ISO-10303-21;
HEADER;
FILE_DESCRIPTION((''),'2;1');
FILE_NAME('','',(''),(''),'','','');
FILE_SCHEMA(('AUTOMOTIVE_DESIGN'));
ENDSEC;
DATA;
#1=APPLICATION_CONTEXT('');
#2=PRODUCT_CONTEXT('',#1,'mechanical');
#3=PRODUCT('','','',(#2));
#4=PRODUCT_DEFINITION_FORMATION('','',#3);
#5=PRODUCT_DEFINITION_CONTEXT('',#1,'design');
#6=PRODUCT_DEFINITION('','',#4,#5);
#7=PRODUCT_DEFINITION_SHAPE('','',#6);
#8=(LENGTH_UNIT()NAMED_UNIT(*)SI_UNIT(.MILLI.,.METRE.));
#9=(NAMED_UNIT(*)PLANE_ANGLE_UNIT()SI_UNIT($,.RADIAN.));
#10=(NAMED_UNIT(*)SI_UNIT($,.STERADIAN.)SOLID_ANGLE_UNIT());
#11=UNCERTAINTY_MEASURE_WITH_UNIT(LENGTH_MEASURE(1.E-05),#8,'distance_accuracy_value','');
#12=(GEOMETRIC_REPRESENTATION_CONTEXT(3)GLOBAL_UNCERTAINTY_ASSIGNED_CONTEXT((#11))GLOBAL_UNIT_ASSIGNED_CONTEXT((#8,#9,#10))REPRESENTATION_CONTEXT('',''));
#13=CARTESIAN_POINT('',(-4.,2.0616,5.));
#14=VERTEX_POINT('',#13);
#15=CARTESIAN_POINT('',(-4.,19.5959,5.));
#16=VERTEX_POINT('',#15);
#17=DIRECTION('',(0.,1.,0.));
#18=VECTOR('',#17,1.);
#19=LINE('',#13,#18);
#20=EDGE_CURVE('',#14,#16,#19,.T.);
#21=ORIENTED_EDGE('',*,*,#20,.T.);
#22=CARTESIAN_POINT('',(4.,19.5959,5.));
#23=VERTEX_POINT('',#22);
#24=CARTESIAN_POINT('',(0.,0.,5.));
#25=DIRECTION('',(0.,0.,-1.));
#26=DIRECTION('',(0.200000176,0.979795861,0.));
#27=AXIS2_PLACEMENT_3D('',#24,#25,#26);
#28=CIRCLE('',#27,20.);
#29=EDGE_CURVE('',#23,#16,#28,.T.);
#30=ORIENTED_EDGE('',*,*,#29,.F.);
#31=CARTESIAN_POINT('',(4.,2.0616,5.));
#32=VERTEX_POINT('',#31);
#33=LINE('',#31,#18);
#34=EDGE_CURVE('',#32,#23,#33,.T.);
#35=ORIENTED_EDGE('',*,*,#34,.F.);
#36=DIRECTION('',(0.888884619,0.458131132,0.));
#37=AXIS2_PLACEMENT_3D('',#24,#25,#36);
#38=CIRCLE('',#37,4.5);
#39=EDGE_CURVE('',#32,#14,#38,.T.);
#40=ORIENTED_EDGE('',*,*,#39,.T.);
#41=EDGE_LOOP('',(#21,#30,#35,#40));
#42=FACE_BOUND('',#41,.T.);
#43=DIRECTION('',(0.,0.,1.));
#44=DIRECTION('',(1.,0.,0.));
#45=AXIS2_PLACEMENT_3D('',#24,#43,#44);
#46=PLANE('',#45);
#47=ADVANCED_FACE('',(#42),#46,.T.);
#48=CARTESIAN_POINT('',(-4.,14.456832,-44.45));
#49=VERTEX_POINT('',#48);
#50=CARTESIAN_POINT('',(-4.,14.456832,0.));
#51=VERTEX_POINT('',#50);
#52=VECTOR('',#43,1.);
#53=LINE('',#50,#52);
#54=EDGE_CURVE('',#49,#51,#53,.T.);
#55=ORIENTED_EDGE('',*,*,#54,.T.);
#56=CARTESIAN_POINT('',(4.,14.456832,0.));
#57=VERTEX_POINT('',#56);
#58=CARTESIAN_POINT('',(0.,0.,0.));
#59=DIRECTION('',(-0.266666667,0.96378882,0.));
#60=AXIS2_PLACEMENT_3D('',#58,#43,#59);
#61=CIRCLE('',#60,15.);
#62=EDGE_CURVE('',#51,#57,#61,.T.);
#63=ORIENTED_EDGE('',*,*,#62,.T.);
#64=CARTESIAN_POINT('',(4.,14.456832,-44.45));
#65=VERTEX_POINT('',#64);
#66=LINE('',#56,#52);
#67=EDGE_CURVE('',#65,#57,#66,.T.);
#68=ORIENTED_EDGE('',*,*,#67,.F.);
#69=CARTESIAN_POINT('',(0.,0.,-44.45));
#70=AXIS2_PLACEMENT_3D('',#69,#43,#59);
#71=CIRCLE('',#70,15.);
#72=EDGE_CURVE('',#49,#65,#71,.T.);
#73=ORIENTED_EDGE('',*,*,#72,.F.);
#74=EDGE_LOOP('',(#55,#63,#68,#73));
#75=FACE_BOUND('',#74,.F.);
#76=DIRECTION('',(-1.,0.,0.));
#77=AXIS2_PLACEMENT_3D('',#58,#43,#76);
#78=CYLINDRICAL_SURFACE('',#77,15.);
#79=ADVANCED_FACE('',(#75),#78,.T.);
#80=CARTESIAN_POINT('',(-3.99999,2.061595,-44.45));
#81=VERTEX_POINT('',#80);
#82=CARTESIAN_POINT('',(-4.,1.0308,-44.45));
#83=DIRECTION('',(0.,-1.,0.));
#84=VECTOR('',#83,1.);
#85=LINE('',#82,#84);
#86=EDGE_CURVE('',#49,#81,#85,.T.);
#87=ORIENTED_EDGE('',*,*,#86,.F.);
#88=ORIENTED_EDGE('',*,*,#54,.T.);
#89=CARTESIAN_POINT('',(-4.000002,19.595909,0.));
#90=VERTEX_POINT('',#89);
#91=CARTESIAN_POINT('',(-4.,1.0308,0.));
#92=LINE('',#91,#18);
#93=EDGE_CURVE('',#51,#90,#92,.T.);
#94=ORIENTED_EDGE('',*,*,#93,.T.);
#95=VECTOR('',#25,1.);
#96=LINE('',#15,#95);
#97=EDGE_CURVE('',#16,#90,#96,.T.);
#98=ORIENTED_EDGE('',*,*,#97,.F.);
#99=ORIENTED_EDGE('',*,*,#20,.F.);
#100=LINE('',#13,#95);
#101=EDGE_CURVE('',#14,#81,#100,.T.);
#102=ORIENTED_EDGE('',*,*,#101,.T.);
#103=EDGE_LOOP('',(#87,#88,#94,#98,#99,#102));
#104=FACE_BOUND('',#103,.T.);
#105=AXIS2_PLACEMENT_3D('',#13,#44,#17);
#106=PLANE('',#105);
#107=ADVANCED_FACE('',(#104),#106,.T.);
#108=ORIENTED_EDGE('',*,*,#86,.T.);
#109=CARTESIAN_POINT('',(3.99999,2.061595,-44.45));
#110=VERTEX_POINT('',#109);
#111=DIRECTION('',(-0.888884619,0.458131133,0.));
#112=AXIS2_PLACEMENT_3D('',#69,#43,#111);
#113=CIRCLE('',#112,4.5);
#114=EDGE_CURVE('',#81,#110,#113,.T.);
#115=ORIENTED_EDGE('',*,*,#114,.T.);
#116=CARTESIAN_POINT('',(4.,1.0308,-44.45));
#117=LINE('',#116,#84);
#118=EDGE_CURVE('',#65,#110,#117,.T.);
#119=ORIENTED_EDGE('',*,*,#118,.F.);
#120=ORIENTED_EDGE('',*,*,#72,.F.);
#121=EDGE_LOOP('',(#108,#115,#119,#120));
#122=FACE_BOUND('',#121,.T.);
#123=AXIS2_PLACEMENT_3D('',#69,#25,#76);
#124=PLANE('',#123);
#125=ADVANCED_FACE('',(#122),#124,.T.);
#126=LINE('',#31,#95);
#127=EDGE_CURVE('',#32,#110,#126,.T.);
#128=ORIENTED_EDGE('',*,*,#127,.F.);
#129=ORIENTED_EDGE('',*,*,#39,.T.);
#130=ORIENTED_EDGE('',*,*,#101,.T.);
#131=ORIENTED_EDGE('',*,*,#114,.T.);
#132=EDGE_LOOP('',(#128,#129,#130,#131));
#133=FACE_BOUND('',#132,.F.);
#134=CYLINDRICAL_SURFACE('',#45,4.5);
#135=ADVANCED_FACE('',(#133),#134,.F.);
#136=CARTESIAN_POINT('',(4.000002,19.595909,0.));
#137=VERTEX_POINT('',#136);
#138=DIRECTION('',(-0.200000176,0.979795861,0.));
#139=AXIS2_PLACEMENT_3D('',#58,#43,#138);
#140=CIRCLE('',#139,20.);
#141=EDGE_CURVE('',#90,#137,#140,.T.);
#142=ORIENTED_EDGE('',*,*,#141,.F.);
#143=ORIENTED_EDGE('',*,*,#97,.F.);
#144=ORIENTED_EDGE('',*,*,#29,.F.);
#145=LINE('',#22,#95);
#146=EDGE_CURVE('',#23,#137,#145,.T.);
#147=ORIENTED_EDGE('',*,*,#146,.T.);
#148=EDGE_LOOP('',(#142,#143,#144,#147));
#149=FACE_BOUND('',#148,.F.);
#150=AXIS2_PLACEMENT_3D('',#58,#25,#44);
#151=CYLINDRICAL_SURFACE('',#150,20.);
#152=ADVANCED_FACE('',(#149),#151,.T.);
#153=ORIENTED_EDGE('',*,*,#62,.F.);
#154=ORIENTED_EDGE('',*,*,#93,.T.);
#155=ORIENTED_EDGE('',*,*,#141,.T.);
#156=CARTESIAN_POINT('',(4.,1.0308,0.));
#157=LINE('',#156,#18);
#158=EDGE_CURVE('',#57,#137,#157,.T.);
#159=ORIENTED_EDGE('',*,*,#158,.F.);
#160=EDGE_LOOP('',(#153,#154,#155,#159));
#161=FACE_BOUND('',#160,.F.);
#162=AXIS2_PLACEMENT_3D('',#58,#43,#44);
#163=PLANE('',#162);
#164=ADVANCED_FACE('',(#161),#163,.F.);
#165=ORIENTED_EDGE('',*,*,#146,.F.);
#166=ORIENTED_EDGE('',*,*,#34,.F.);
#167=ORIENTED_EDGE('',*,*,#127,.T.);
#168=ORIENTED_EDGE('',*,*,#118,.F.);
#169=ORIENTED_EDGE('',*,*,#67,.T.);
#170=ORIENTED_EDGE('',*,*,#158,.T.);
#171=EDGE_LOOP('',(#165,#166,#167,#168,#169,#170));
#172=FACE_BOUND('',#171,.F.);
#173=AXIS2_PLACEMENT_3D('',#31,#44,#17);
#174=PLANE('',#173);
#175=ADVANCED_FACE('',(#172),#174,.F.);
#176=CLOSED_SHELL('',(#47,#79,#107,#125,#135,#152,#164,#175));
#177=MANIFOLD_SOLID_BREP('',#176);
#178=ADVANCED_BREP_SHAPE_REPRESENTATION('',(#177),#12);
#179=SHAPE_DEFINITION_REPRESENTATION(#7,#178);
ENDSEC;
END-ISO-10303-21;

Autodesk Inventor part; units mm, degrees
ref_plane "YZ Plane" through (0, 0, 0) normal (1, 0, 0) x (0, 1, 0)
ref_plane "XZ Plane" through (0, 0, 0) normal (0, 1, 0) x (-1, 0, 0)
ref_plane "XY Plane" through (0, 0, 0) normal (0, 0, 1) x (1, 0, 0)
sketch "Sketch1" plane through (0, 0, 0) normal (0, 0, 1) x (1, 0, 0)
  circle A0 centre (0, 0) radius 20
  dimension "d0" = 40
extrude "Extrusion1" add sketch "Sketch1" along normal blind 5
sketch "Sketch2" plane through (0, 0, 0) normal (0, 0, -1) x (-1, 0, 0)
  circle A0 centre (0, 0) radius 15
  dimension "d3" = 30
extrude "Extrusion2" add sketch "Sketch2" along normal blind 44.45
sketch "Sketch3" plane through (0, 0, 5) normal (0, 0, 1) x (1, 0, 0)
  circle A0 centre (0, 0) radius 4.5
  dimension "d6" = 9
extrude "Extrusion3" cut sketch "Sketch3" against normal through all
sketch "Sketch4" plane through (0, 0, 5) normal (0, 0, 1) x (1, 0, 0)
  circle A0 centre (0, 0) radius 4.5 projected
  line L0 (-4, 2.0616) -> (-4, 19.5959)
  circle A1 centre (0, 0) radius 20 projected
  line L1 (4, 2.0616) -> (4, 19.5959)
  line L2 (0, -28) -> (0, 28) projected
  arc A2 (4, 2.0616) -> (-4, 2.0616) centre (0, 0) ccw
  arc A3 (0, -20) -> (-4, 19.5959) centre (0, 0) ccw
  dimension "d11" = 4
extrude "Extrusion4" cut sketch "Sketch4" against normal through all contours A0 L2 A1 L1 | A0 L0 A1 L2 picked at (1.3394, 14.7583) picked at (-1.3394, 14.7583)
properties part number "wallPlug"
